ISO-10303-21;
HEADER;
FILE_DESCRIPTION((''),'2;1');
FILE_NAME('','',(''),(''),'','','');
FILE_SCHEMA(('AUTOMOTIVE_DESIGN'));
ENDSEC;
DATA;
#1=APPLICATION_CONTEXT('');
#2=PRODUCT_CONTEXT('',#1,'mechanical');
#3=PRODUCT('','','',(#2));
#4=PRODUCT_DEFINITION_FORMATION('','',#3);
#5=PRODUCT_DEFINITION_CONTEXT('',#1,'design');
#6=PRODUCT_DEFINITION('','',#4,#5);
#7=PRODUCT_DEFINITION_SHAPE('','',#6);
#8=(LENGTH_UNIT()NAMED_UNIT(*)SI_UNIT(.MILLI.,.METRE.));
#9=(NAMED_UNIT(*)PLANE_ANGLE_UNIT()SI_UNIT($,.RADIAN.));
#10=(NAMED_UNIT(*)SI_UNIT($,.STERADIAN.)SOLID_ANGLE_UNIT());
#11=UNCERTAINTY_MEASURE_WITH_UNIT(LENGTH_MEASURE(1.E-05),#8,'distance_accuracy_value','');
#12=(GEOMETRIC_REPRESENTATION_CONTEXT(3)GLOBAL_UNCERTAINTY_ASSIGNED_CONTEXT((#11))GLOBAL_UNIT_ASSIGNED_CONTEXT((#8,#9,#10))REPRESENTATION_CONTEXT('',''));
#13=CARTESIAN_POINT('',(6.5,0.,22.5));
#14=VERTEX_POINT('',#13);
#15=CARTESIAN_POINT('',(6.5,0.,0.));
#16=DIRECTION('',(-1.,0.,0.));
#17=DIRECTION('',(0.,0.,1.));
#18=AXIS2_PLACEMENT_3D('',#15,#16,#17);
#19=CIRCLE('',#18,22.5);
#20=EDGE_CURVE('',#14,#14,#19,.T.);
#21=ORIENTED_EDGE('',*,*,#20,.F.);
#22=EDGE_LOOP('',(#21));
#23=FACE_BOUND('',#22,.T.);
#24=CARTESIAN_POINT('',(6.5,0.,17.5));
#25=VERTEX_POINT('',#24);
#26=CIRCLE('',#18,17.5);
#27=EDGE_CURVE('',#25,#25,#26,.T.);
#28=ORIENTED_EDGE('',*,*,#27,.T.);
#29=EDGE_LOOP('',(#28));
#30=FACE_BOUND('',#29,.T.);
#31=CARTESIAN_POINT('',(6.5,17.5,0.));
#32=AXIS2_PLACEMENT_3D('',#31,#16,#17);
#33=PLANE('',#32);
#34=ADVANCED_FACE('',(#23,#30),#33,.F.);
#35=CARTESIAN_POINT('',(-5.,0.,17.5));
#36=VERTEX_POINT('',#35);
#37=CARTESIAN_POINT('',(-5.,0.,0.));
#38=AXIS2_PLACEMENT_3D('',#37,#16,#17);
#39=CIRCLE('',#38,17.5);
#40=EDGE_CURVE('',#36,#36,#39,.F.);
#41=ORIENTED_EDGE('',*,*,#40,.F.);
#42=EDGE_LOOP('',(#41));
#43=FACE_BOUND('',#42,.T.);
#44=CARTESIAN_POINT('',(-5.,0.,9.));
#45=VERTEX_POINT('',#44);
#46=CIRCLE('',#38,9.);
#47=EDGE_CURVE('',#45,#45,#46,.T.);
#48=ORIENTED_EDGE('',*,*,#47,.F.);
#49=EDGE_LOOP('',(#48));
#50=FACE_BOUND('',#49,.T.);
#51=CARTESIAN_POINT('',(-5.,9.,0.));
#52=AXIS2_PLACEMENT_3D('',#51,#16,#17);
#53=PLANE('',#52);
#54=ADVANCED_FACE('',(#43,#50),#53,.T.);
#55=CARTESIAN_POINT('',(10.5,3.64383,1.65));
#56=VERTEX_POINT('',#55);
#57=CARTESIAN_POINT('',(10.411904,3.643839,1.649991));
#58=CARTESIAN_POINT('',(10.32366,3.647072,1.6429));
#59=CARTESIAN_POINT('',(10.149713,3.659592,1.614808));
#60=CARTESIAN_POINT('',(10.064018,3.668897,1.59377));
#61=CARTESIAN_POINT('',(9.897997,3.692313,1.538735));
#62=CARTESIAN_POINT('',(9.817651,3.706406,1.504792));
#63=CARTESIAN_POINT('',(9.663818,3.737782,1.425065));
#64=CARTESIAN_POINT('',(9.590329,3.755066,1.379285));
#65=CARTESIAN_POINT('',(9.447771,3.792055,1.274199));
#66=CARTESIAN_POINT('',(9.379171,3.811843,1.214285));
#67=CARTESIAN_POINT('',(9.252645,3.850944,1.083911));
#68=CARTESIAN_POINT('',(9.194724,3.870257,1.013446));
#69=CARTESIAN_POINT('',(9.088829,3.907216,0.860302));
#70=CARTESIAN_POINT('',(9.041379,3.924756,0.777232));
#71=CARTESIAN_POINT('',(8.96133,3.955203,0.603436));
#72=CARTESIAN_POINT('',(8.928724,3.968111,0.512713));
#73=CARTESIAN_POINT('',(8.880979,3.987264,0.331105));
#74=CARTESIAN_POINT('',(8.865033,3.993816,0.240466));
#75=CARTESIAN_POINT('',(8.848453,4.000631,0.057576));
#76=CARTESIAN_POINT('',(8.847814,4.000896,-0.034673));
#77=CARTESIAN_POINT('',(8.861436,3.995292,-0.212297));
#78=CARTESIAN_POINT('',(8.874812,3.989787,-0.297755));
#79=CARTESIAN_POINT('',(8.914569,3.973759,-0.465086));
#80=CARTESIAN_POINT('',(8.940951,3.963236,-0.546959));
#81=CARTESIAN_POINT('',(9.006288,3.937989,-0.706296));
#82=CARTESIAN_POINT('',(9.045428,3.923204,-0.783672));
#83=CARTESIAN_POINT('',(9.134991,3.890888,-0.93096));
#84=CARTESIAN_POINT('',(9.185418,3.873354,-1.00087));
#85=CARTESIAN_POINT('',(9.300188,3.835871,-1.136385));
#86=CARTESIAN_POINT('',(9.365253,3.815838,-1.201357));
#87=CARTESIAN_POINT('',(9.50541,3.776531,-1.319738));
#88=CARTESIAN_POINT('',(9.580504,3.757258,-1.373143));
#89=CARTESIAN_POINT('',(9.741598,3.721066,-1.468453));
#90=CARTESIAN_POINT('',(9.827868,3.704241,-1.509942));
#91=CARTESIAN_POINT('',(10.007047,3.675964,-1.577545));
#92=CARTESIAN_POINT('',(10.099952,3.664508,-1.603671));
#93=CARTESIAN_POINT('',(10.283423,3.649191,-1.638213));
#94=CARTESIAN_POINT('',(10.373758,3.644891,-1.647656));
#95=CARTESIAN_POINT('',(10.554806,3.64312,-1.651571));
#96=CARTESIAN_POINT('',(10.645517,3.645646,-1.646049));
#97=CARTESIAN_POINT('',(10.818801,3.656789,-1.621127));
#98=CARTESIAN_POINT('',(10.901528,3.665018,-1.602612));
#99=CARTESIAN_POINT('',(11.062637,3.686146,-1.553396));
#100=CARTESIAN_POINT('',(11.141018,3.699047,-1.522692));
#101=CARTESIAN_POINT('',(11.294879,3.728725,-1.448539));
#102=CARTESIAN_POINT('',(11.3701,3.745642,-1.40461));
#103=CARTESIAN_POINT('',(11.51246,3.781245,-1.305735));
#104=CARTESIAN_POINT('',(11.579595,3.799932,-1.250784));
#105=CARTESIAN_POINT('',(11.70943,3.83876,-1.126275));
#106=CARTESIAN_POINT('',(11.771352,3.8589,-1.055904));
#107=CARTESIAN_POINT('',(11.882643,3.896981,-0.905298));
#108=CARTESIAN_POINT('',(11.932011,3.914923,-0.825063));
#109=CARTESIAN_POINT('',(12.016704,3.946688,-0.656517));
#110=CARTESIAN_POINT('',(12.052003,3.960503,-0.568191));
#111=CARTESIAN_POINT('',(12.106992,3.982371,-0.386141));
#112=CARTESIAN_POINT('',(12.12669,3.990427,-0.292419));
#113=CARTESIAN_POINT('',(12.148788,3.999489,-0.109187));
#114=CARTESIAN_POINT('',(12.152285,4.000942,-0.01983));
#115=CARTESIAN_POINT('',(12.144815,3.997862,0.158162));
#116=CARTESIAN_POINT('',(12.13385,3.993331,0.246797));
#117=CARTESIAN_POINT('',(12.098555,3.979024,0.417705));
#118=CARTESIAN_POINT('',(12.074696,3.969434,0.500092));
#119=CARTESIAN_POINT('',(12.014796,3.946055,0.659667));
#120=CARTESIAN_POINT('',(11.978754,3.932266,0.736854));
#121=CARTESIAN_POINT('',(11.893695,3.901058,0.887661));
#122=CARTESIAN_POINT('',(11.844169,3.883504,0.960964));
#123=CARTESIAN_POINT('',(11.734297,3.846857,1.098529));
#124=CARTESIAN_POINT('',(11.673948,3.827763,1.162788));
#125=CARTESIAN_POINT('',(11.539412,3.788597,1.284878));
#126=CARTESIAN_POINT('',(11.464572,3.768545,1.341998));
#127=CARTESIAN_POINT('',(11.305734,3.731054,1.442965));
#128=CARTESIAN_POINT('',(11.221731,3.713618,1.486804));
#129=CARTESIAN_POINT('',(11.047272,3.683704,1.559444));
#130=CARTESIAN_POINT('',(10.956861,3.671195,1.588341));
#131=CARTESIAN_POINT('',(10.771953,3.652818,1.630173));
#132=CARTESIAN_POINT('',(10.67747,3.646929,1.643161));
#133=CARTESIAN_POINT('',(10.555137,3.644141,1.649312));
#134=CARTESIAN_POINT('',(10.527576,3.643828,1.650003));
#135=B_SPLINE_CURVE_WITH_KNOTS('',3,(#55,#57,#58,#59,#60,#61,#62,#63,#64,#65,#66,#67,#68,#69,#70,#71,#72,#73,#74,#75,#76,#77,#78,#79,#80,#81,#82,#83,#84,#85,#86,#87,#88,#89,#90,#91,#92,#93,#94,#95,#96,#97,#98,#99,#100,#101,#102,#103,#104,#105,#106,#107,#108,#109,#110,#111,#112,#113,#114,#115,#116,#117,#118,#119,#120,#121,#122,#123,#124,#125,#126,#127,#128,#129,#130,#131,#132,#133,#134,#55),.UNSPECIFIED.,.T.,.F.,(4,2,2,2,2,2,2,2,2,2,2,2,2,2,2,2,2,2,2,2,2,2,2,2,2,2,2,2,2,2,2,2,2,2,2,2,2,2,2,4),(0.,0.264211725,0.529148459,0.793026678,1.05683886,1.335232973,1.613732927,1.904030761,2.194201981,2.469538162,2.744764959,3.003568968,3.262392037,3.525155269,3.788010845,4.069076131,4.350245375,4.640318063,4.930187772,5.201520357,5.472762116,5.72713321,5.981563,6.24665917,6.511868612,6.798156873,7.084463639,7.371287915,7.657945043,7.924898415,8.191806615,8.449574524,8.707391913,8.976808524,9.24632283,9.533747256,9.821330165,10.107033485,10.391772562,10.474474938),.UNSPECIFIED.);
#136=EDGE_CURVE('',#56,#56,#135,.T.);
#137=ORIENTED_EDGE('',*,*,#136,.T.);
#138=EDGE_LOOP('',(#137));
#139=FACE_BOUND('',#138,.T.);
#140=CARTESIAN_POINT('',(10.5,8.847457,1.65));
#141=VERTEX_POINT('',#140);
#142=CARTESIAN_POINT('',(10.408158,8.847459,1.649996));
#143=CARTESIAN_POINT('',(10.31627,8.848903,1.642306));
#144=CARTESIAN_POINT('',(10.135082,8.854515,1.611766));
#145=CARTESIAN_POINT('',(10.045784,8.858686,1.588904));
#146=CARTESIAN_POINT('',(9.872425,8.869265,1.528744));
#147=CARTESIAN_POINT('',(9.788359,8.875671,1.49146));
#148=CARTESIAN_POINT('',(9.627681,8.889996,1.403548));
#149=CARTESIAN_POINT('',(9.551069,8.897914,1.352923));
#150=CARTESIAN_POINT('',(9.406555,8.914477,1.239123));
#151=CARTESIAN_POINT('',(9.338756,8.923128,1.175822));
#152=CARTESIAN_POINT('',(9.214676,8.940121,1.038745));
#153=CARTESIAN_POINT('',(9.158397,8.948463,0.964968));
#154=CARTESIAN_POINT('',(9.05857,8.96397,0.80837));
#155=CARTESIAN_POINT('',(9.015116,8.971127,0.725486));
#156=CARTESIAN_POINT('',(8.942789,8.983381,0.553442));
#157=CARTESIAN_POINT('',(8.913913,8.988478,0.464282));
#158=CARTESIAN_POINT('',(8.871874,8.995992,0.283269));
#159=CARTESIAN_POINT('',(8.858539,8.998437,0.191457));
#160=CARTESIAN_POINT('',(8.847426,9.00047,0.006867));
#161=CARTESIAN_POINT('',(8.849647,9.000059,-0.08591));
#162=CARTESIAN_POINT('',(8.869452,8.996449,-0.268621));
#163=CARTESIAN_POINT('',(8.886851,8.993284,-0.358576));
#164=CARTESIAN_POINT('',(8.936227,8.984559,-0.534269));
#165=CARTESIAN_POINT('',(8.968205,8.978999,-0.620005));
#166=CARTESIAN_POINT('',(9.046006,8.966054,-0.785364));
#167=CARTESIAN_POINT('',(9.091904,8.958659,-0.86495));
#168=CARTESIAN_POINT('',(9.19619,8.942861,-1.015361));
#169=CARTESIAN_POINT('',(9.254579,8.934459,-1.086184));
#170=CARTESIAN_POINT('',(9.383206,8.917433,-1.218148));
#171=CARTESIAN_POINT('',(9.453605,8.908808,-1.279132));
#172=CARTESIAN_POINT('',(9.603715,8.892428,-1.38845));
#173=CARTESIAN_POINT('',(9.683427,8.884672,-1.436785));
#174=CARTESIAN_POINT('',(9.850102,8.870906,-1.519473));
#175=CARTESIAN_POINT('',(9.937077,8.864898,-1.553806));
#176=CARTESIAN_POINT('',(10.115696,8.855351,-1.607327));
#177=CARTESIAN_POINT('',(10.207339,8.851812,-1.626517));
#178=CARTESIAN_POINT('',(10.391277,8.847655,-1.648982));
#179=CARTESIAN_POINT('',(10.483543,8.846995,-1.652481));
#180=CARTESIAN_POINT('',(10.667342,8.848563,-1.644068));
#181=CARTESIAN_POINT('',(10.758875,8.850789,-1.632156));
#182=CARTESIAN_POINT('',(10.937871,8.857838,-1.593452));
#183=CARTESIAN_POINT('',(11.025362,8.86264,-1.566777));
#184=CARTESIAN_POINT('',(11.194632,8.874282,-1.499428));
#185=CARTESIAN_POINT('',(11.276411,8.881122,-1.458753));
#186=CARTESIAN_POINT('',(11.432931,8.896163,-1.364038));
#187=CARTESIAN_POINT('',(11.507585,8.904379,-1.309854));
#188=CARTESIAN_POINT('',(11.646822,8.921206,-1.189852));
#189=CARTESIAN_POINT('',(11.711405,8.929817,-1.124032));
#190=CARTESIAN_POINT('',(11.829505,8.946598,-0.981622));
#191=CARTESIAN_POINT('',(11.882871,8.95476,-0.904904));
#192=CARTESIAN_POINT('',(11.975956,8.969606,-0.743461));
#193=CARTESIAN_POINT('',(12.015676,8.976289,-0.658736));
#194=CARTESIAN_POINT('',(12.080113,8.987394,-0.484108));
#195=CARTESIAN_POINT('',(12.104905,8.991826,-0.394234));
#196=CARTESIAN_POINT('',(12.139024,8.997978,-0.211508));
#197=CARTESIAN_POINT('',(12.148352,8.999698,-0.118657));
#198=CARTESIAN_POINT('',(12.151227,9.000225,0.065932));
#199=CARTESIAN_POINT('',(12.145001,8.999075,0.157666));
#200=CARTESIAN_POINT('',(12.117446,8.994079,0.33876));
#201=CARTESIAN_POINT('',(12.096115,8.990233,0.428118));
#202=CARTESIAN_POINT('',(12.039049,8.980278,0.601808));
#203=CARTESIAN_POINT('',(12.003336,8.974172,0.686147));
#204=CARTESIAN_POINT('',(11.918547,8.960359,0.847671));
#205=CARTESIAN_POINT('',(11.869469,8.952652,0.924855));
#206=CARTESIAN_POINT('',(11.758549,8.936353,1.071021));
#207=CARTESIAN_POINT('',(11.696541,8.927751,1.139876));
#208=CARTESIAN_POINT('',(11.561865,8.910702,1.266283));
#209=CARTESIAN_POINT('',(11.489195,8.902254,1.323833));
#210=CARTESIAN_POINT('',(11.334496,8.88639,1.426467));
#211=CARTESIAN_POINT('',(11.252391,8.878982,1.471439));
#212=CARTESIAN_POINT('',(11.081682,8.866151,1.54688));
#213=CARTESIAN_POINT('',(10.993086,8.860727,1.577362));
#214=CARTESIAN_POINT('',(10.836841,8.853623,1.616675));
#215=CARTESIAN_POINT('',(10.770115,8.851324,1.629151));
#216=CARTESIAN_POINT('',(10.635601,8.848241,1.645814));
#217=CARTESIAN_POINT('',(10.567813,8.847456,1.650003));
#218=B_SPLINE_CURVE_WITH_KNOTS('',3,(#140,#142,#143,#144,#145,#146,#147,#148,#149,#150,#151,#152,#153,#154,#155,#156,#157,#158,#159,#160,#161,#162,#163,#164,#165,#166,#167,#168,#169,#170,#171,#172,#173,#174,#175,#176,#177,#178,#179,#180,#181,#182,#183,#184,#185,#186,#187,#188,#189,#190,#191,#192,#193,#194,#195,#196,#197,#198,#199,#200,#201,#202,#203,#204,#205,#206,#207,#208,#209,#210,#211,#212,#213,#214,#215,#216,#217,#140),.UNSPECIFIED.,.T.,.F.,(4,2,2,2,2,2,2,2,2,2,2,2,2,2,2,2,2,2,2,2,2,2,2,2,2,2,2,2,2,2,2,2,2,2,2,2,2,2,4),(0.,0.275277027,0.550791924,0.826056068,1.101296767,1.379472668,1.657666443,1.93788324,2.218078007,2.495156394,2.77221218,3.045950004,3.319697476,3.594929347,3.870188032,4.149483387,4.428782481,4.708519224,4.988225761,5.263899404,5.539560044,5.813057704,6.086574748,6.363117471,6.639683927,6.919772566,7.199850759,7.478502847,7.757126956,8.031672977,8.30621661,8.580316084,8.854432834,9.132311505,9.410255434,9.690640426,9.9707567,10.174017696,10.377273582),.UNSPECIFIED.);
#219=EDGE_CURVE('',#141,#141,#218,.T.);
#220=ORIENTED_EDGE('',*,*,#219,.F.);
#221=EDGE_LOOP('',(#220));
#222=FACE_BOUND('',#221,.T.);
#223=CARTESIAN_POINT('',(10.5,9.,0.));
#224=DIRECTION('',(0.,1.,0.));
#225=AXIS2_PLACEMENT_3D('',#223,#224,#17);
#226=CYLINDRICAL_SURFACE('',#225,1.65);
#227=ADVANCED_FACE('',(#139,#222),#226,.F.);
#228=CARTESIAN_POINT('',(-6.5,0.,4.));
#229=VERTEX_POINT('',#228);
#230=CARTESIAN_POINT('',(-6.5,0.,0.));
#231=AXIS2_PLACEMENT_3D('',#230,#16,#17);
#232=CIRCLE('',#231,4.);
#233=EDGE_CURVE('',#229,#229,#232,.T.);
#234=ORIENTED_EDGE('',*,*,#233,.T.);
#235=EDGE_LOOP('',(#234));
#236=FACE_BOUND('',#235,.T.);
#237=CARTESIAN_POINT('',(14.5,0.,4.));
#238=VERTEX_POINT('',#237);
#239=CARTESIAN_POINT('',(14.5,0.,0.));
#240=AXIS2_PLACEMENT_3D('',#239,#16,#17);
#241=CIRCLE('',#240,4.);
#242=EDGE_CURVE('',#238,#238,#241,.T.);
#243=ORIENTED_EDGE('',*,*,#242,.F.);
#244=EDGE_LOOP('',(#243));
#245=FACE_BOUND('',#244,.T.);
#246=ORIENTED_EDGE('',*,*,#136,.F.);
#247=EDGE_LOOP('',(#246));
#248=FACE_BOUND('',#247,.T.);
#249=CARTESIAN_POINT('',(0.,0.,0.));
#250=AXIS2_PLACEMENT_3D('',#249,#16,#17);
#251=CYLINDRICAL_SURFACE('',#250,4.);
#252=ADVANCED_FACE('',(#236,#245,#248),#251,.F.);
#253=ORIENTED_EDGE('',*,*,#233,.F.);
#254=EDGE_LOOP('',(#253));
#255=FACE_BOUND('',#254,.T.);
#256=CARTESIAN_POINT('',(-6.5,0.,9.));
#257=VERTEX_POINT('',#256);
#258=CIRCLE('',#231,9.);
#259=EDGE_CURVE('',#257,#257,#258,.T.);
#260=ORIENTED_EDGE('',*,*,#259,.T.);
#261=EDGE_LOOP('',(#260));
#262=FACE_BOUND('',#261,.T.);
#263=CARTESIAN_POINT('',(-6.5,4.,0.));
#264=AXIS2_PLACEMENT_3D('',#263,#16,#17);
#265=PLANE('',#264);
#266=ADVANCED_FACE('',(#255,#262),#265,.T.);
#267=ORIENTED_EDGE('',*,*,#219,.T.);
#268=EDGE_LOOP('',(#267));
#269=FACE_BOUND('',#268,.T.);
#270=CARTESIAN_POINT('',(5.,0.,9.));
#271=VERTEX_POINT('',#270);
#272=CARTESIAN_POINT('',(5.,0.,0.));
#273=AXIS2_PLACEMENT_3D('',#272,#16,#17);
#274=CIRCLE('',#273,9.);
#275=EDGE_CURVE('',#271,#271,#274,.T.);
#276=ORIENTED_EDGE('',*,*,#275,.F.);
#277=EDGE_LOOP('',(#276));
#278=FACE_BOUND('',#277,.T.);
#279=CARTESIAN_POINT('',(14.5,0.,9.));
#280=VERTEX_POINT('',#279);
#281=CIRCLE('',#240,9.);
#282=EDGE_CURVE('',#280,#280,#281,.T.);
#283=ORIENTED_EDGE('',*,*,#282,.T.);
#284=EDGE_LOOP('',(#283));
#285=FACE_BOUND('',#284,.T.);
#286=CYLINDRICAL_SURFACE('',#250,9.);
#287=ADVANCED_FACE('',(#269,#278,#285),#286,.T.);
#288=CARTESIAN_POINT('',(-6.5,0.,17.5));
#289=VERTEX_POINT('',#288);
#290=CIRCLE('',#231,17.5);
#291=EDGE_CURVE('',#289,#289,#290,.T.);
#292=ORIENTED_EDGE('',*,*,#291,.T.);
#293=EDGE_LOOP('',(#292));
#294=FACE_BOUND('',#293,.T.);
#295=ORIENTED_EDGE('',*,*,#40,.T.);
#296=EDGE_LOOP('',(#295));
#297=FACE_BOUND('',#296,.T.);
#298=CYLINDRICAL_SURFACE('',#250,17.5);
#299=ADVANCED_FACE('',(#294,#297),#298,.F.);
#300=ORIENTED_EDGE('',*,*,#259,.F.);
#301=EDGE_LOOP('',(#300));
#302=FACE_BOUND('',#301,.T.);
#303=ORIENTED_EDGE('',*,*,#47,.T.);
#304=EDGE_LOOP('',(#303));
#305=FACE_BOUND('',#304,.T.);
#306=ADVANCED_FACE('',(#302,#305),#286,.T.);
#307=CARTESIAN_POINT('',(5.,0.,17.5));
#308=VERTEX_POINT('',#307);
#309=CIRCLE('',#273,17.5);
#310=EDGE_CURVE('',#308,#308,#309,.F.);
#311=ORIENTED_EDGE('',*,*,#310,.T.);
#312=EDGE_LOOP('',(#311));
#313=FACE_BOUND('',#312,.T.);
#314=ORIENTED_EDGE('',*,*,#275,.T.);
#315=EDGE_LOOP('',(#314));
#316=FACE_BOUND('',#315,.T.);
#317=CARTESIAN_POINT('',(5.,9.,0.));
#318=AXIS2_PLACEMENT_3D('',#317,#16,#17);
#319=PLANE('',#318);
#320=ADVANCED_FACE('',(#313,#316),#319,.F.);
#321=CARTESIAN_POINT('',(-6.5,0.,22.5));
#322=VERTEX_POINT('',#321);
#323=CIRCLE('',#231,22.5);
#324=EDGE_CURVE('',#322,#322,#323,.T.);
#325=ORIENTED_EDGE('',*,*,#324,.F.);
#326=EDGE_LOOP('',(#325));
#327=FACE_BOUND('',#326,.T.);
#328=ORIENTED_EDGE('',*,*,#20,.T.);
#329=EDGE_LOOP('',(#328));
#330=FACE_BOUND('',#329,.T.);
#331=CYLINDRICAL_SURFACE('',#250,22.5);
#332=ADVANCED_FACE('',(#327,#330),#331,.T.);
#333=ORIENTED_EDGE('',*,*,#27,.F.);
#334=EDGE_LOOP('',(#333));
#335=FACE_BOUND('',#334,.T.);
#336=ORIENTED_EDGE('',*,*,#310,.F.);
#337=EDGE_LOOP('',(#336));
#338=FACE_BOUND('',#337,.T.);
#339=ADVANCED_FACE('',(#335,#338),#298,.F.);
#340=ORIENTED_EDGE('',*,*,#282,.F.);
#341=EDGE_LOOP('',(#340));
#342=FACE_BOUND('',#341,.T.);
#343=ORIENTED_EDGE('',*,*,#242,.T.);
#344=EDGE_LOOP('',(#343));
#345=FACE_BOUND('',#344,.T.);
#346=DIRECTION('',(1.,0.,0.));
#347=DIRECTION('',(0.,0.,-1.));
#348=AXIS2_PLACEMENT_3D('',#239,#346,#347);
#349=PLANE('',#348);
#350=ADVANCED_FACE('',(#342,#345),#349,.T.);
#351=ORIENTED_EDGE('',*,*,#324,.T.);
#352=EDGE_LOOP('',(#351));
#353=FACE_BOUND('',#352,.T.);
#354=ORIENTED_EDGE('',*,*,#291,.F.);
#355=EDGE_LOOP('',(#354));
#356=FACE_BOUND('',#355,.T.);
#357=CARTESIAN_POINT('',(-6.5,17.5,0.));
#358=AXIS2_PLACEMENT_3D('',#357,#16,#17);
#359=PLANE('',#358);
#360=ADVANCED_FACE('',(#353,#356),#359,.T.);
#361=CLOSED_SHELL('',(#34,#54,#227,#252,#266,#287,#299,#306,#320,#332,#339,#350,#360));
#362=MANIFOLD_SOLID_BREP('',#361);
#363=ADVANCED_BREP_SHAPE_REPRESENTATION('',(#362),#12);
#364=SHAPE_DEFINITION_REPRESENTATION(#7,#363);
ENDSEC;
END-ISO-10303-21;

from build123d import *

# Parameters (mm, degrees)
SKETCH1_W              = 8
SKETCH1_H              = 5
SKETCH1_W_2            = 10
SKETCH1_H_2            = 8.5
M4_TAPPED_HOLE1_REACH  = 43.337
M4_TAPPED_HOLE1_BORE_R = 1.65


with BuildPart() as part:
    # Sketch1 → Revolve1 (revolve)
    with BuildSketch(Plane.XY, mode=Mode.PRIVATE) as revolve1_sk:
        Polygon((-6.5, 9), (-6.5, 4), (6.5, 4), (6.5, 9), (5, 9), (-5, 9), align=None)
        with Locations((10.5, 6.5)):
            Rectangle(SKETCH1_W, SKETCH1_H)
        with Locations((0, 13.25)):
            Rectangle(SKETCH1_W_2, SKETCH1_H_2)
        Polygon((-6.5, 17.5), (-5, 17.5), (5, 17.5), (6.5, 17.5), (6.5, 22.5), (-6.5, 22.5), align=None)
    revolve(revolve1_sk.sketch.rotate(Axis((0, 0, 0), (1, 0, 0)), 90), axis=Axis((0, 0, 0), (1, 0, 0)))

    # M4 Tapped Hole1 bore → M4 Tapped Hole1 (cut, up to next)
    with BuildSketch(Plane(origin=(0, 9, 0), x_dir=(1, 0, 0), z_dir=(0, 1, 0)), mode=Mode.PRIVATE) as m4_tapped_hole1_sk1:
        with Locations((10.5, 0)):
            Circle(M4_TAPPED_HOLE1_BORE_R)
    m4_tapped_hole1_tool1 = extrude(m4_tapped_hole1_sk1.sketch, amount=-M4_TAPPED_HOLE1_REACH, mode=Mode.PRIVATE) & part.part
    add(m4_tapped_hole1_tool1.solids().sort_by_distance((10.5, 9, 0))[0], mode=Mode.SUBTRACT)


solid = part.part
